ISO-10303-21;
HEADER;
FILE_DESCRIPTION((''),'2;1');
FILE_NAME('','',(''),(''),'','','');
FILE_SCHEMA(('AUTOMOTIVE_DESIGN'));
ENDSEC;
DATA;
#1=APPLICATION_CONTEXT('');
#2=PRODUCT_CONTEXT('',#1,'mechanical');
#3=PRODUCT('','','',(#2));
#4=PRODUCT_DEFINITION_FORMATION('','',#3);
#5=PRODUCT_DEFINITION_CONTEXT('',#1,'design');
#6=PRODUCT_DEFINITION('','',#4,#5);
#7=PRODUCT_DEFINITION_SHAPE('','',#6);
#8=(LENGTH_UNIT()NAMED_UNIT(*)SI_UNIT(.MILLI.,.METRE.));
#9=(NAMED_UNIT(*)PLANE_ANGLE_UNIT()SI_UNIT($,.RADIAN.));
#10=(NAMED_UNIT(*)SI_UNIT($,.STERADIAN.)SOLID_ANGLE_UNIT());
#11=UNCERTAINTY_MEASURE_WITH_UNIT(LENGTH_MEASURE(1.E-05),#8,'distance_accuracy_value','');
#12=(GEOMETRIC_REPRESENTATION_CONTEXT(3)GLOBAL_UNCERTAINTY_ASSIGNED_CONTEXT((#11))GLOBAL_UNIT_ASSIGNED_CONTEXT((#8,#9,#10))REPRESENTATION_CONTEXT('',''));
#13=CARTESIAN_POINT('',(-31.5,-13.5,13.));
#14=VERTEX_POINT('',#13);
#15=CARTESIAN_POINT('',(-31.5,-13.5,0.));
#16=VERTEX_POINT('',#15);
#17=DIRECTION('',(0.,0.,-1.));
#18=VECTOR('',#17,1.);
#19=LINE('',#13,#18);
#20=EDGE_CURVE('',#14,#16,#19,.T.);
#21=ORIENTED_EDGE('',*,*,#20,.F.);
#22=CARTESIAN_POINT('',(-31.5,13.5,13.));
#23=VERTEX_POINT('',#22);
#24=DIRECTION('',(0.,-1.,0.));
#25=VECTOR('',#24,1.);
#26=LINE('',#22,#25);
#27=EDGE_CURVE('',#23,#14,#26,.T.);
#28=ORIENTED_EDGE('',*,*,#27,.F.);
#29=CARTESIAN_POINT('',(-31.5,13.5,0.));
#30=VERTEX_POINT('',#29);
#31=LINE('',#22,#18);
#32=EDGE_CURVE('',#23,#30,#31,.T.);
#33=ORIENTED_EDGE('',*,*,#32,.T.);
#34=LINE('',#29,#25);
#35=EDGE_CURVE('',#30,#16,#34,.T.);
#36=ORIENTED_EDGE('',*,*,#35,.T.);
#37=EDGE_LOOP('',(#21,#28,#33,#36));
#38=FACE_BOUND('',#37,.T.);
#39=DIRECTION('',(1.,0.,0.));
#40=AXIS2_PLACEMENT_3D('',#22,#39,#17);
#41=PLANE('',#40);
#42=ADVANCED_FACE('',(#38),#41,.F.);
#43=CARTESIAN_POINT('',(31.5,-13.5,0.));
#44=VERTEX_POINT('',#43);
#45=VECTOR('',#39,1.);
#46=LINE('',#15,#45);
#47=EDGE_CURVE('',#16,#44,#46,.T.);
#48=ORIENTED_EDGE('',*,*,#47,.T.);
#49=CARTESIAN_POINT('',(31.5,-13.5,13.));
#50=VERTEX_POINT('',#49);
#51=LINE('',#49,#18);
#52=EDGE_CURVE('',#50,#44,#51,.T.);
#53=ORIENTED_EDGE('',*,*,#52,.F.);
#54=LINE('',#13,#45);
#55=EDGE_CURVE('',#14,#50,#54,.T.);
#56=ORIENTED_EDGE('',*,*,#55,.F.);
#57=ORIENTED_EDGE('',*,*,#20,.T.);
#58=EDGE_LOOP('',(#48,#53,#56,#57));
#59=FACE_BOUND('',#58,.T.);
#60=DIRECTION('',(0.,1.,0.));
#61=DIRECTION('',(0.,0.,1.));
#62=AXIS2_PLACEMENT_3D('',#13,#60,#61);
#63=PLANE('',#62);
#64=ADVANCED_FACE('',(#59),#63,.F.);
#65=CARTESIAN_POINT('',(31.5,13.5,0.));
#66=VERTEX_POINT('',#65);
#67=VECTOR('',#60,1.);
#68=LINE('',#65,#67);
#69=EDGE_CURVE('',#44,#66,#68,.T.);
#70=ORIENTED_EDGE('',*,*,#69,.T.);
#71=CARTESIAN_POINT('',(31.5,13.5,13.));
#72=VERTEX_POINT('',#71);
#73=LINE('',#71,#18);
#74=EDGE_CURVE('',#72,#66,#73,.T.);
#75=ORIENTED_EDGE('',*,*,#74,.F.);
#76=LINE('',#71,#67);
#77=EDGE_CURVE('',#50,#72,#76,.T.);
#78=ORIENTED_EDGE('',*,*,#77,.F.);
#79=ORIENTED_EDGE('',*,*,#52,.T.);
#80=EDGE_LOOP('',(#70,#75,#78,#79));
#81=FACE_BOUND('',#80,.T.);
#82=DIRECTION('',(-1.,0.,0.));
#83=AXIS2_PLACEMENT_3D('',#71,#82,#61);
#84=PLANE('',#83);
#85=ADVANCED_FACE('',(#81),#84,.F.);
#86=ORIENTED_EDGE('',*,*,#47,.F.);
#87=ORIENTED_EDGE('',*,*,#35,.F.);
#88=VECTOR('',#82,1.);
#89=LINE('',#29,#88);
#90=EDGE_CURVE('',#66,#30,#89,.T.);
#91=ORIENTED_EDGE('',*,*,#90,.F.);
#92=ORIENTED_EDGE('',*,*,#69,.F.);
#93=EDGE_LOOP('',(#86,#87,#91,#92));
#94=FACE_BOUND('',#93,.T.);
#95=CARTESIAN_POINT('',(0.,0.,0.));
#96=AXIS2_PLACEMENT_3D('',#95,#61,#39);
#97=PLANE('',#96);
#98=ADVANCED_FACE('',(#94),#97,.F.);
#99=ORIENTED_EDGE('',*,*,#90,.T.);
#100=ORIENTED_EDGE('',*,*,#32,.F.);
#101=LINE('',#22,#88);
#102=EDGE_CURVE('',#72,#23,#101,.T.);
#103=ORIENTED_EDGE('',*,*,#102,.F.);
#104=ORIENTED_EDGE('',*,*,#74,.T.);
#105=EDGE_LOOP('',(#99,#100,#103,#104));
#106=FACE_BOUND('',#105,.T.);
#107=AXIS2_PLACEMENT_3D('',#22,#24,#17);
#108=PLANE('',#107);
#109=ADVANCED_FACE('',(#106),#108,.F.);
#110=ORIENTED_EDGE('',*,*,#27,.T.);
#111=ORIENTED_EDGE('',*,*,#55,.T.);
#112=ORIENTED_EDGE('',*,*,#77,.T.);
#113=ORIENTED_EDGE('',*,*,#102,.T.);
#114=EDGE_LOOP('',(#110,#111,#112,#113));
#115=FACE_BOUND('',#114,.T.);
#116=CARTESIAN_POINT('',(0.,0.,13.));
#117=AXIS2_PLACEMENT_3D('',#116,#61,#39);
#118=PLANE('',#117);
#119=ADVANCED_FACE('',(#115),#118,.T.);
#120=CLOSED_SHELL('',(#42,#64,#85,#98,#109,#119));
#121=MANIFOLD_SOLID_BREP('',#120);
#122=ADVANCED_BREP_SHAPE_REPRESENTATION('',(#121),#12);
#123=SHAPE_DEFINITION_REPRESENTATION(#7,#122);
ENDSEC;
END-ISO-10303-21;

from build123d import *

# Parameters (mm, degrees)
SKETCH_1_W      = 63
SKETCH_1_H      = 27
EXTRUDE_1_DEPTH = 13


with BuildPart() as part:
    # 草图1 → 凸台-拉伸1 (new body)
    with BuildSketch(Plane.XY):
        Rectangle(SKETCH_1_W, SKETCH_1_H)
    extrude(amount=EXTRUDE_1_DEPTH)


solid = part.part
